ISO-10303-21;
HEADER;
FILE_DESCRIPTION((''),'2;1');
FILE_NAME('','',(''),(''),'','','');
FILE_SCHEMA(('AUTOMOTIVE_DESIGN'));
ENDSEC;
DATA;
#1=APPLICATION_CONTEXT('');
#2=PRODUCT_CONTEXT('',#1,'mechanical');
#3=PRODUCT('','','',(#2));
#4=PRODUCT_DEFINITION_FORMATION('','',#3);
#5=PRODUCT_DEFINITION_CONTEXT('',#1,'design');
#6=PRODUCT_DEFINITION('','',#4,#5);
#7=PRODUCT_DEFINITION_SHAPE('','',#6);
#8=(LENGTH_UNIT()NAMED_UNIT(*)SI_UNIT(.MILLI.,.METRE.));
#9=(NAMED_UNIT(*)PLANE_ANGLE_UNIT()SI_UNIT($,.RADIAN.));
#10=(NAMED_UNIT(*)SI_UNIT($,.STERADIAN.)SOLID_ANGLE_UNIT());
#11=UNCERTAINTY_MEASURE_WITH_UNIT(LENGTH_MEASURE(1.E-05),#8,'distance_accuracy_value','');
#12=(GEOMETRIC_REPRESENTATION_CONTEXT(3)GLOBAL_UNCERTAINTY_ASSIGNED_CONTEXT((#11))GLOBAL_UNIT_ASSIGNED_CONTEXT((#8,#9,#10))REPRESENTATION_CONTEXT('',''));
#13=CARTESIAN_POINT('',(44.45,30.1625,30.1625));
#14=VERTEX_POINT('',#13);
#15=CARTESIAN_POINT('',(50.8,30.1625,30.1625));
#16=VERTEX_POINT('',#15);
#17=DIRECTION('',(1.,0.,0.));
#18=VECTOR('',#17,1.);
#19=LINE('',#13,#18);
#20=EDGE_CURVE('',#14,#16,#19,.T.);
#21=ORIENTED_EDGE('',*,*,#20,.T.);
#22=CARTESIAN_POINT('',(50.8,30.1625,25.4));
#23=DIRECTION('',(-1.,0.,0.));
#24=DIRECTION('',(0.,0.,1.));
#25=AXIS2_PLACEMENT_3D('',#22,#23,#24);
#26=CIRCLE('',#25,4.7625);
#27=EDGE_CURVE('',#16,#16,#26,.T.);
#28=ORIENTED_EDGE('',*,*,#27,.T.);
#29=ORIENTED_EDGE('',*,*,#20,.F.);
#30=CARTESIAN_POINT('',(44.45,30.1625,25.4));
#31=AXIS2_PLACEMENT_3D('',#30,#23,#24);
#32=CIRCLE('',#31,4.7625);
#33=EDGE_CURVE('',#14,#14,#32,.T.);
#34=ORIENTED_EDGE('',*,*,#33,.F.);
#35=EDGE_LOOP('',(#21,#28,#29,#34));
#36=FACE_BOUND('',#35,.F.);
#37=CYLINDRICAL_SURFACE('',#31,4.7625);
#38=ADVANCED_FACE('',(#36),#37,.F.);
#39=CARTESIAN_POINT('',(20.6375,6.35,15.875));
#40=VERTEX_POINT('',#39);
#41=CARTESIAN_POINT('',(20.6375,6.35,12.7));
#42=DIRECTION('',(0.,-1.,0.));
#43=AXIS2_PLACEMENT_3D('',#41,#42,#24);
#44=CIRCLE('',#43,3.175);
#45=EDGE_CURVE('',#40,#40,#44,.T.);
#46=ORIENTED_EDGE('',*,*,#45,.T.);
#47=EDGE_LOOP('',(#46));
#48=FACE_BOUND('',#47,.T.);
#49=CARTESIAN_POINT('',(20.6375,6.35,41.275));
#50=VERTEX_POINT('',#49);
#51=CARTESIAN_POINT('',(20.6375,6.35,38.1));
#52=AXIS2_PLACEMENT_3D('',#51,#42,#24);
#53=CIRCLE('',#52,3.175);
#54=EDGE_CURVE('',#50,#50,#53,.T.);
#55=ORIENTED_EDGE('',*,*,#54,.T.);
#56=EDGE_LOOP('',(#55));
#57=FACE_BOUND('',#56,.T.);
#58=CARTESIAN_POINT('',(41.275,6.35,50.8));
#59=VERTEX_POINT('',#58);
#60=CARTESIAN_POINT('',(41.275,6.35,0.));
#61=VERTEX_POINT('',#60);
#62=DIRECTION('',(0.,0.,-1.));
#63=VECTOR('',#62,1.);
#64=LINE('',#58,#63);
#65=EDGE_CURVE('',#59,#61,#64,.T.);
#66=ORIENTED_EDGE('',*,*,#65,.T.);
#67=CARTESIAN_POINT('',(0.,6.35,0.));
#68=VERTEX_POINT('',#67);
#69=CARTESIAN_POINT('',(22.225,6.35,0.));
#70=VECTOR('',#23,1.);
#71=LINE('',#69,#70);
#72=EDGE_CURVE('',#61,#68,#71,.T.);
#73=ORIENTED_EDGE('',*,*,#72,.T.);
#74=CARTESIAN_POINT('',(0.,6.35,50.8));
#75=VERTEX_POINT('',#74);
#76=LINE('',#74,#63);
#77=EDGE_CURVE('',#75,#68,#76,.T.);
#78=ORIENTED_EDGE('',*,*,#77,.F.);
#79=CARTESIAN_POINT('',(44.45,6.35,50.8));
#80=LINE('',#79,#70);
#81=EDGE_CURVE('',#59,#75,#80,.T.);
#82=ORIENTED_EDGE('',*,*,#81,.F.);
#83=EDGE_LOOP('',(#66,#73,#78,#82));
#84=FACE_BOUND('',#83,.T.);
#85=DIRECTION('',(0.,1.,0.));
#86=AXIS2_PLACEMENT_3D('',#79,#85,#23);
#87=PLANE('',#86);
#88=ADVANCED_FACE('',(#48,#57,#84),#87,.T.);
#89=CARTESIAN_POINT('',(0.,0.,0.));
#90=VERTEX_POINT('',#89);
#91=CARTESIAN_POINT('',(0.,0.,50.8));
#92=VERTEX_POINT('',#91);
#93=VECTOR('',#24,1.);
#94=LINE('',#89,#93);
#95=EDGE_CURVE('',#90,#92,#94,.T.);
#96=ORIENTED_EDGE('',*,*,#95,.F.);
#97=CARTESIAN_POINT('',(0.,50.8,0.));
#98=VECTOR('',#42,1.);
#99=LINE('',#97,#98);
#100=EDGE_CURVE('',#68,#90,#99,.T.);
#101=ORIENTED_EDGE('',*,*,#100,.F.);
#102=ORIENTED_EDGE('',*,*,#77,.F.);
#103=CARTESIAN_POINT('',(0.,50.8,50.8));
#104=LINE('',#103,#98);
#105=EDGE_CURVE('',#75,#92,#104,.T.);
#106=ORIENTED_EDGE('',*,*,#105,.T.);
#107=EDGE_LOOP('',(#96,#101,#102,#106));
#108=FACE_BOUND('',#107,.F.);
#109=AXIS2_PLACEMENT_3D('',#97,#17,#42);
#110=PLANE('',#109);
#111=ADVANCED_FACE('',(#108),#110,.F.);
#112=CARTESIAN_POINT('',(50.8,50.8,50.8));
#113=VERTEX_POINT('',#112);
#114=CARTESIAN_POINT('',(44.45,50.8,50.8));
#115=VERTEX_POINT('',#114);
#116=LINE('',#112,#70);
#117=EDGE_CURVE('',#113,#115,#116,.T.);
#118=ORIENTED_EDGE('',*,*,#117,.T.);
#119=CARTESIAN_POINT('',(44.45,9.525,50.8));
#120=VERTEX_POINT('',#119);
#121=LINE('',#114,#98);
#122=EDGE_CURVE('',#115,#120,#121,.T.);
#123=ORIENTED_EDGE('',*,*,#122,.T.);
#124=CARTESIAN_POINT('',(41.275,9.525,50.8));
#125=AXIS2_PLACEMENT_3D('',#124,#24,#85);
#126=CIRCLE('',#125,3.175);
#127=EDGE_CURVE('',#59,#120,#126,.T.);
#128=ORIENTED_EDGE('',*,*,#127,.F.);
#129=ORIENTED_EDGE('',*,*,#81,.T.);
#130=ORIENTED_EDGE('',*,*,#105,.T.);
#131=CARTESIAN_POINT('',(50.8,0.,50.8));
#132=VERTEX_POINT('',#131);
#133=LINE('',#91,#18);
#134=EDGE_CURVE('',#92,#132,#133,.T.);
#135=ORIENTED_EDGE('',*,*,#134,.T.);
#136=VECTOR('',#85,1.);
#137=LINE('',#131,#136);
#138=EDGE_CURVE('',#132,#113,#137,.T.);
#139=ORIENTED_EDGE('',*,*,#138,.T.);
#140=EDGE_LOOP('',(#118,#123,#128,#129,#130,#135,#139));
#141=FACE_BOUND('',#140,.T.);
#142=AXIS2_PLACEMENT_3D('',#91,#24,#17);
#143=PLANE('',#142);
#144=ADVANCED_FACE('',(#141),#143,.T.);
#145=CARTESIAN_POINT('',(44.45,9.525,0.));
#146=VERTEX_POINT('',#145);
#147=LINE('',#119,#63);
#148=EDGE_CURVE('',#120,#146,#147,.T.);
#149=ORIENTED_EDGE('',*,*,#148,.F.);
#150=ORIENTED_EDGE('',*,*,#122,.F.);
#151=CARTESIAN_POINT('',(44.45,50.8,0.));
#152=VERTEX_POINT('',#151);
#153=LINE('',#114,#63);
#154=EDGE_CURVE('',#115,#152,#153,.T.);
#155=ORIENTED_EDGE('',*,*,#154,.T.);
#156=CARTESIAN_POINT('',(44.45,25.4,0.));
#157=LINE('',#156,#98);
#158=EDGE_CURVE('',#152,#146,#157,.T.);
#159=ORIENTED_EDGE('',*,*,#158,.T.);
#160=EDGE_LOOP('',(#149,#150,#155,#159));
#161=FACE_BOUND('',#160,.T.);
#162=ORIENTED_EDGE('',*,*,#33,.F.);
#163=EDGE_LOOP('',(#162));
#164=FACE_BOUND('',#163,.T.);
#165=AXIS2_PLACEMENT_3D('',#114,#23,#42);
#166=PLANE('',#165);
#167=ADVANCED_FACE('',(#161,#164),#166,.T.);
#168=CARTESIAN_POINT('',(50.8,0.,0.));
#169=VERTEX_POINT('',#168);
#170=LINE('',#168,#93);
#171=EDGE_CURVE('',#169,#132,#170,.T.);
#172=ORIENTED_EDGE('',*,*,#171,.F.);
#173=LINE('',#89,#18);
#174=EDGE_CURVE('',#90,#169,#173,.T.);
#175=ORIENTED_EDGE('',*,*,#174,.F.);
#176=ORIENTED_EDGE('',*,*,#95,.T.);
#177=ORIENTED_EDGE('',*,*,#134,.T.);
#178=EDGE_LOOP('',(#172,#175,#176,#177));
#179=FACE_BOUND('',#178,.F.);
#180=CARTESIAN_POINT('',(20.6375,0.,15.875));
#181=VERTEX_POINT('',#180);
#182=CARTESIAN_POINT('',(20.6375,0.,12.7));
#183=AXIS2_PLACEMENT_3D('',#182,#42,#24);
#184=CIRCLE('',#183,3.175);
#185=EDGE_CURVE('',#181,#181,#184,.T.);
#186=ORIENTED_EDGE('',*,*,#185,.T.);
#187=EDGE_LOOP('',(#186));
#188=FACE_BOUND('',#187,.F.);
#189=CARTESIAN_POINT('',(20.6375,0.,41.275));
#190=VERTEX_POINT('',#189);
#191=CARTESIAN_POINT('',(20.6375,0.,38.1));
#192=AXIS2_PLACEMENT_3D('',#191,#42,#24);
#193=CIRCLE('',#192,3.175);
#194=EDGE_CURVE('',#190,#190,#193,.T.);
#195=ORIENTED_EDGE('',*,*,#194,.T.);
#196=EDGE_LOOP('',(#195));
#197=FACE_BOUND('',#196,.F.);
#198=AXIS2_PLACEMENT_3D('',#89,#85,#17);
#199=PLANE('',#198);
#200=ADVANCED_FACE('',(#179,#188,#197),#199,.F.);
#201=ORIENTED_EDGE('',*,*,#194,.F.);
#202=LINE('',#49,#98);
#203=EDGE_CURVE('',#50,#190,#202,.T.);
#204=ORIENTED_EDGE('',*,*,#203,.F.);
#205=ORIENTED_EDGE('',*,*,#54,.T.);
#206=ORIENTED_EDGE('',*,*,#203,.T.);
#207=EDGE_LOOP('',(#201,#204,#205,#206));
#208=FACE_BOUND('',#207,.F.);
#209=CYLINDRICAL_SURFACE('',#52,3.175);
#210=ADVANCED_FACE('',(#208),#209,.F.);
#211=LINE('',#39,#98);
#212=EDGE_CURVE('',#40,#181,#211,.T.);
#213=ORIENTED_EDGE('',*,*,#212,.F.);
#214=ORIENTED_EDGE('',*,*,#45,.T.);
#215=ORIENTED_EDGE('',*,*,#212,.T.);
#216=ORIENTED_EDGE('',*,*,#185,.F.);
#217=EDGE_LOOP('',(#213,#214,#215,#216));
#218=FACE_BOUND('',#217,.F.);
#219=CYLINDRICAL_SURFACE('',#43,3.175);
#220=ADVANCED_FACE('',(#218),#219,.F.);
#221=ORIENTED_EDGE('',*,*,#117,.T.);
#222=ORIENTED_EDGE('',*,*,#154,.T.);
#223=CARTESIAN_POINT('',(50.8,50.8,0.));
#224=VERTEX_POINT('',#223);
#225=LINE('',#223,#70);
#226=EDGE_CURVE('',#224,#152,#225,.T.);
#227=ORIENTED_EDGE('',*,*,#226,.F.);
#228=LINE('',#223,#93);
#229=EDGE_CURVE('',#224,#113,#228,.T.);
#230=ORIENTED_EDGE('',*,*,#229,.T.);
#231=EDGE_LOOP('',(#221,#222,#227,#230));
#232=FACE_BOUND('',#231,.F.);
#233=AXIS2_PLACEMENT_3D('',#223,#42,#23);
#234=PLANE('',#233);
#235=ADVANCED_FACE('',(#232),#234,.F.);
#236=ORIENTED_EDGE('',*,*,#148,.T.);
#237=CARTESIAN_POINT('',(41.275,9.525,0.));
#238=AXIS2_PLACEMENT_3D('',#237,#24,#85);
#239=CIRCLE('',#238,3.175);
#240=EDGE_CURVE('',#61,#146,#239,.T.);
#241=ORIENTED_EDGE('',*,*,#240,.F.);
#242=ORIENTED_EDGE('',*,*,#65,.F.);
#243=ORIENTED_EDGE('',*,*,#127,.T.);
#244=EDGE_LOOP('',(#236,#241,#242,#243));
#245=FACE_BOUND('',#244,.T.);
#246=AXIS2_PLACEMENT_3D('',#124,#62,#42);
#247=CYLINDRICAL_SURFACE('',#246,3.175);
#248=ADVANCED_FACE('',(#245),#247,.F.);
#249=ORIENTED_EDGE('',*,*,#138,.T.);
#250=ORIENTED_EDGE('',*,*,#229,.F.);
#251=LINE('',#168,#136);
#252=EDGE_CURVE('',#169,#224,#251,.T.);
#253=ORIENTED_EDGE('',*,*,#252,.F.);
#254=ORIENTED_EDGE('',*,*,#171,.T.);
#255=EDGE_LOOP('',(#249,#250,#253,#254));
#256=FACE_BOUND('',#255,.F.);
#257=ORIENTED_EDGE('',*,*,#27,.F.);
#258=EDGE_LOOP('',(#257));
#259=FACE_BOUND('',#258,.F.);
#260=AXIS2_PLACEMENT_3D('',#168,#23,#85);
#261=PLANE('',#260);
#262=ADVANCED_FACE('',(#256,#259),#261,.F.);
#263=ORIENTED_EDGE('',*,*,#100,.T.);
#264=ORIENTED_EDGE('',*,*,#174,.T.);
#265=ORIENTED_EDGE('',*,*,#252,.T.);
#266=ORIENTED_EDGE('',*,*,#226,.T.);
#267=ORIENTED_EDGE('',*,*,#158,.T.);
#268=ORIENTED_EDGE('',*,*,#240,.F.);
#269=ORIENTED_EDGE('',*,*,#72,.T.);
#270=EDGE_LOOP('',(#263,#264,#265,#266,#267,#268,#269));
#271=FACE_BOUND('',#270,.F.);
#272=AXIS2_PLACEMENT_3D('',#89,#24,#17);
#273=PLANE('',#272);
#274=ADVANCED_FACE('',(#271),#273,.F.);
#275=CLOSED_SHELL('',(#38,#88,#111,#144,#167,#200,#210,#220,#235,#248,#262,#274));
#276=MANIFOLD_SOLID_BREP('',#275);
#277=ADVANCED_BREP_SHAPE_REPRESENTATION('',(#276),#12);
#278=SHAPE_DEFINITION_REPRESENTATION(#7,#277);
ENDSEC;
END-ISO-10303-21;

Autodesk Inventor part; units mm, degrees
ref_plane "YZ Plane" through (0, 0, 0) normal (1, 0, 0) x (0, 1, 0)
ref_plane "XZ Plane" through (0, 0, 0) normal (0, 1, 0) x (-1, 0, 0)
ref_plane "XY Plane" through (0, 0, 0) normal (0, 0, 1) x (1, 0, 0)
sketch "Sketch1" plane through (0, 0, 0) normal (0, 0, 1) x (1, 0, 0)
  line L0 (0, 0) -> (50.8, 0)
  line L1 (50.8, 0) -> (50.8, 50.8)
  line L2 (50.8, 50.8) -> (0, 50.8)
  line L3 (0, 50.8) -> (0, 0)
  dimension "d0" = 50.8
  dimension "d1" = 50.8
extrude "Extrusion1" add sketch "Sketch1" along normal blind 50.8
sketch "Sketch2" plane through (0, 0, 50.8) normal (0, 0, 1) x (1, 0, 0)
  line L0 (0, 50.8) -> (44.45, 50.8)
  line L1 (44.45, 50.8) -> (44.45, 6.35)
  line L2 (44.45, 6.35) -> (0, 6.35)
  line L3 (0, 6.35) -> (0, 50.8)
  point P0 (0, 0)
  dimension "d4" = 44.45
  dimension "d5" = 44.45
extrude "Extrusion2" cut sketch "Sketch2" against normal blind 152.4
fillet "Fillet1" radius 3.175 1 edges at (44.45, 6.35, 25.4)
sketch "Sketch3" plane through (44.45, 50.8, 0) normal (-1, 0, 0) x (0, 0, 1)
  circle A0 centre (25.4, -20.6375) radius 4.7625
  line L0 (0, -41.275) -> (0, 0) projected
  line L1 (0, 0) -> (50.8, 0) projected
  point P0 (0, -50.8)
  dimension "d9" = 9.525
  dimension "d10" = 25.4
  dimension "d11" = 20.6375
extrude "Extrusion3" cut sketch "Sketch3" against normal blind 152.4
sketch "Sketch4" plane through (0, 6.35, 50.8) normal (0, 1, 0) x (1, 0, 0)
  line L0 (0, 50.8) -> (41.275, 50.8) projected
  line L1 (0, 0) -> (0, 50.8) projected
  point P0 (20.6375, 38.1)
  point P1 (20.6375, 12.7)
  dimension "d14" = 25.4
  dimension "d15" = 12.7
  dimension "d16" = 20.6375
  dimension "d17" = 20.6375
hole "Hole1" at (20.6375, 6.35, 12.7) at (20.6375, 6.35, 38.1) direction (0, -1, 0) diameter 6.35 end through all
properties part number "clevece plate"
